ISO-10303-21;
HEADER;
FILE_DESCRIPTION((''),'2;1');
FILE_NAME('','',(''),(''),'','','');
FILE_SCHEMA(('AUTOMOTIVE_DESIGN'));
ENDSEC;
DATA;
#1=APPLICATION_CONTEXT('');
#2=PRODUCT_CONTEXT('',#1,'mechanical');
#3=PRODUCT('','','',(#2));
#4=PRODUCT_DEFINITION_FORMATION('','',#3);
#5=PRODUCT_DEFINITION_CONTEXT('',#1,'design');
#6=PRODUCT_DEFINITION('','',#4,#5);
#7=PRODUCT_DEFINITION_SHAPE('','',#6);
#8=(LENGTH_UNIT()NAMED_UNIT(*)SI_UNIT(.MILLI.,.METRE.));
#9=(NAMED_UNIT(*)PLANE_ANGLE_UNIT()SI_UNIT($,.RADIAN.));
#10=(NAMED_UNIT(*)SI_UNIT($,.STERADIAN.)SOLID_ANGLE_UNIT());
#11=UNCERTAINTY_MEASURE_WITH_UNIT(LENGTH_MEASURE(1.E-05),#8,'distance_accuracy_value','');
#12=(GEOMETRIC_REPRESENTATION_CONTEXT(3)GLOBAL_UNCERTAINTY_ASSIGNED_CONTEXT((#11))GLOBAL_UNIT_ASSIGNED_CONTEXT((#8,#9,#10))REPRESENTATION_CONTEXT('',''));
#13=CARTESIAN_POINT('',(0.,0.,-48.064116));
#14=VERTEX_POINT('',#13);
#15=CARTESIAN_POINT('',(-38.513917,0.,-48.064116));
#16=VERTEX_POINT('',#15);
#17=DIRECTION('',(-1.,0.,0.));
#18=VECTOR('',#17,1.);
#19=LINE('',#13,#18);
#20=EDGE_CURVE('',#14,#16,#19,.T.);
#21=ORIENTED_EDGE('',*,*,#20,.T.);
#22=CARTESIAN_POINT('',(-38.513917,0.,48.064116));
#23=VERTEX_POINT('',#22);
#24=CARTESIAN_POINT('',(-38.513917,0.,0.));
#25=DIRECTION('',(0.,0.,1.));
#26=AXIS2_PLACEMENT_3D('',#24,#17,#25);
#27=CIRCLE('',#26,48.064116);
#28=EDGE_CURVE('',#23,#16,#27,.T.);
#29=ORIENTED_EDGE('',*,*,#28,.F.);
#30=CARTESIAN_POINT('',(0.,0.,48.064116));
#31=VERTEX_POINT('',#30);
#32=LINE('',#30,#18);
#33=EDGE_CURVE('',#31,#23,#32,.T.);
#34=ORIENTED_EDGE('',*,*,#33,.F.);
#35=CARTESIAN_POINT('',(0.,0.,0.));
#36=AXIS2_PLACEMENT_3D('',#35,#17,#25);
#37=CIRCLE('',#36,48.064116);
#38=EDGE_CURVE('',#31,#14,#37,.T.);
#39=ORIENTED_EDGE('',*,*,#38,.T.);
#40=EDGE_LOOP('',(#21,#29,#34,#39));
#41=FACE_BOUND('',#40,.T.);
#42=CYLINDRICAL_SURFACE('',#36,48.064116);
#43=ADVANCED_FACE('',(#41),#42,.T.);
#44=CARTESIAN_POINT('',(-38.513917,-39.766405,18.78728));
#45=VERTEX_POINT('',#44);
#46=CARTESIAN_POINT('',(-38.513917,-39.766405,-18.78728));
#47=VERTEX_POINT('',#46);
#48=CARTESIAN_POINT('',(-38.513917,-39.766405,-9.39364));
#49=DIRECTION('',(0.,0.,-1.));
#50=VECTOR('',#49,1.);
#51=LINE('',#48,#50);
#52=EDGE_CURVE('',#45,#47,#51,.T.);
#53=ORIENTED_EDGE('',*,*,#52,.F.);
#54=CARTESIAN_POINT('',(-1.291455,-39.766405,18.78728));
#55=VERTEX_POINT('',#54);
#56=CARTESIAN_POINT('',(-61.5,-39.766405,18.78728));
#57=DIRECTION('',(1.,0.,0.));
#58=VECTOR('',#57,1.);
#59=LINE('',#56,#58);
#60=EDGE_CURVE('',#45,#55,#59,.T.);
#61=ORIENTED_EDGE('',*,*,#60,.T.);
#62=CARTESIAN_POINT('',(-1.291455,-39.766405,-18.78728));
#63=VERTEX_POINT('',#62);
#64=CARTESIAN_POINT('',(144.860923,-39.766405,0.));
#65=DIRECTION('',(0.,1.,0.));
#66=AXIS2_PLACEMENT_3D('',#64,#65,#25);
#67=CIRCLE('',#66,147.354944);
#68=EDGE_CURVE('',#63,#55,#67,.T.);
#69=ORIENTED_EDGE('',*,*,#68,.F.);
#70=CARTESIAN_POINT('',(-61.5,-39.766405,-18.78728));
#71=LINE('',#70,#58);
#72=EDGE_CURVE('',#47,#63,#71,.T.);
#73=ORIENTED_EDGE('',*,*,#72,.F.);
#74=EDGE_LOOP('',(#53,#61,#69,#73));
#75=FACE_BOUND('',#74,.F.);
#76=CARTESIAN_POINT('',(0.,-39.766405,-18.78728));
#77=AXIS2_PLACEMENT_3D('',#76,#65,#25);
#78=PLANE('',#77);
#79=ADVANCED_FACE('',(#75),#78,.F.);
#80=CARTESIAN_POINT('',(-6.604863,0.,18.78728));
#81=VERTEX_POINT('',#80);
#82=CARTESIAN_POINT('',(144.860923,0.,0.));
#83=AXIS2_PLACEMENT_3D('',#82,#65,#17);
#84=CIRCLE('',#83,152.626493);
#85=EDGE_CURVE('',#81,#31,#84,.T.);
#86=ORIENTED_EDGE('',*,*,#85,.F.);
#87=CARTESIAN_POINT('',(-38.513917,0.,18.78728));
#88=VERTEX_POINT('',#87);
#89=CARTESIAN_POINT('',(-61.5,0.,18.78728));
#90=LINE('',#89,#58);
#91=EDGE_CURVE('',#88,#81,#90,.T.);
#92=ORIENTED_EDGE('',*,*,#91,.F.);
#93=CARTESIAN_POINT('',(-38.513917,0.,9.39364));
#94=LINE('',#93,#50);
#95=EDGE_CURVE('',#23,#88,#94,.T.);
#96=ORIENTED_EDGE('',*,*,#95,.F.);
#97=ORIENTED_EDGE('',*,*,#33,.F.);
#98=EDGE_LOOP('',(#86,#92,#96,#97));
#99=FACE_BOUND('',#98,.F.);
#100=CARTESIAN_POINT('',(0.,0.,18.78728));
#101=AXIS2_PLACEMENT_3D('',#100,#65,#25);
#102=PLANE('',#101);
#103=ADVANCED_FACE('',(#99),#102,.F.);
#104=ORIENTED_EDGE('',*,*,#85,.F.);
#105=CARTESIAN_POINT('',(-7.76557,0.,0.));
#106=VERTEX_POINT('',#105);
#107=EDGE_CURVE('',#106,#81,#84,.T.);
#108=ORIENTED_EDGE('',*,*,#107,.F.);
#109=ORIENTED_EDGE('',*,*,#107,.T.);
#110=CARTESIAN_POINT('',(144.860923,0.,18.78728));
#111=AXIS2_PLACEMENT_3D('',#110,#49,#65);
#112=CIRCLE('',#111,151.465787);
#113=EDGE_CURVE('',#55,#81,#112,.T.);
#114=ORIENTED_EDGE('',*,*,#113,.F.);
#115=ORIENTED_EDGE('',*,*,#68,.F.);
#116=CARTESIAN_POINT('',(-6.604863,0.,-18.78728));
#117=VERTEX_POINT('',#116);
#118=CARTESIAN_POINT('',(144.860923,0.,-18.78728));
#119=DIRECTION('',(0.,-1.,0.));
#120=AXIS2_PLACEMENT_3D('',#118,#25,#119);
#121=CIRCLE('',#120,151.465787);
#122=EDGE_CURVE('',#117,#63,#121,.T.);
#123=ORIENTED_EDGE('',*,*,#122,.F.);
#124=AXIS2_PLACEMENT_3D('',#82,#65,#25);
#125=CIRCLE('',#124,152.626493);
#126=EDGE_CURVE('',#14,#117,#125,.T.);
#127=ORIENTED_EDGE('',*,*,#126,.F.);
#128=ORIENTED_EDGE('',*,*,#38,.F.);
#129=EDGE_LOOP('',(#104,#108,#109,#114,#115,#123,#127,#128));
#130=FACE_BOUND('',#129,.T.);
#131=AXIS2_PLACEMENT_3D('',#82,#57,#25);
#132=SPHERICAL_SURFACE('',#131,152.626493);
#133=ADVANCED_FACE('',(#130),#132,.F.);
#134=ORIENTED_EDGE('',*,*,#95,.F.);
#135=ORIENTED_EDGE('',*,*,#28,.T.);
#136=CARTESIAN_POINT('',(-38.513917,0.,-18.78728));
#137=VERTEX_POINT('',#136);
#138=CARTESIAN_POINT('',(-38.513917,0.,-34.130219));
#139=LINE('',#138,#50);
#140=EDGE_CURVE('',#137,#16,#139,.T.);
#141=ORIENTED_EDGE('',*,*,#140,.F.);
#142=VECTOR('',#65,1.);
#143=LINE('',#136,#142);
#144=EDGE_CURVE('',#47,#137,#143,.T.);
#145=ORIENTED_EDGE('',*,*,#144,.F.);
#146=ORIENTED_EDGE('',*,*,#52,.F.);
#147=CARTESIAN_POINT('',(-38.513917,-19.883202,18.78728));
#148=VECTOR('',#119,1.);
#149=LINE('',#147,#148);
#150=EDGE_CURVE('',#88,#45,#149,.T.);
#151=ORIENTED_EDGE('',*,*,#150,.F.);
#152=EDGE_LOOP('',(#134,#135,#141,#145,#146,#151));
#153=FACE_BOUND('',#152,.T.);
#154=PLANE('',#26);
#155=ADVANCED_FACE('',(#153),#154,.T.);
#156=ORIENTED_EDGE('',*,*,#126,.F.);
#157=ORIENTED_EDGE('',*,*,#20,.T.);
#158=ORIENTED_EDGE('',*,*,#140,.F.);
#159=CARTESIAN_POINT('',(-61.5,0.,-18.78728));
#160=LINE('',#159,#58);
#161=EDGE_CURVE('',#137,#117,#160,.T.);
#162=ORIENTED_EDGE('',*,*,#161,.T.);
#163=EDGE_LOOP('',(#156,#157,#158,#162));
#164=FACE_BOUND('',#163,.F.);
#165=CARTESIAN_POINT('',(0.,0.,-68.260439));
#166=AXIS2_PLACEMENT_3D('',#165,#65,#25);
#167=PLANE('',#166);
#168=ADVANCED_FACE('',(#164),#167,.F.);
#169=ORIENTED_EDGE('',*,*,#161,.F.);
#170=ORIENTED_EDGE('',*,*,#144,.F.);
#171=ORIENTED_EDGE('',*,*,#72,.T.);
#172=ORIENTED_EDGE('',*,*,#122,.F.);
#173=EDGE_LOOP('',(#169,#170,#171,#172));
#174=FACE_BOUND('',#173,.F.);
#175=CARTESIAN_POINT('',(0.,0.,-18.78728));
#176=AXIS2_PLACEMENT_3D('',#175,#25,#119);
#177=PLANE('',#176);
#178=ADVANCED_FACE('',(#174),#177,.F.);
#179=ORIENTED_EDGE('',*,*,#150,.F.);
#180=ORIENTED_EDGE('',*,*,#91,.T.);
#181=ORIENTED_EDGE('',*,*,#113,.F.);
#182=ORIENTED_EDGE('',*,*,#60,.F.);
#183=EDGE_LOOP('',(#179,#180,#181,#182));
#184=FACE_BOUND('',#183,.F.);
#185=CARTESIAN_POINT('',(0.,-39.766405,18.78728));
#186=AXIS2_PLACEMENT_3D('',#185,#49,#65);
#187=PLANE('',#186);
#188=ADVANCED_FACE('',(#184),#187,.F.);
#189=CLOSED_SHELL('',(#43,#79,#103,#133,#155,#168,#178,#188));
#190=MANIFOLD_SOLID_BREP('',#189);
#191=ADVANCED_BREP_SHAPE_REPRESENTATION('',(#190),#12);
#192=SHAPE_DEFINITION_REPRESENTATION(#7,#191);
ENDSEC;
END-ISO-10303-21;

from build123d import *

# Parameters (mm, degrees)
F2_W     = 23.9537768066
F2_H     = 37.5745594501
F3_DEPTH = 61.5


with BuildPart() as f1:
    # F0 (on Front) → F1 (revolve)
    with BuildSketch(Plane.XZ):
        with BuildLine():
            Line((-38.5139174759, 0), (-7.7655697597, 0))
            ThreePointArc((-7.7655697597, 0), (-5.8116705722, 24.3437022549), (0, 48.0641163886))
            Line((0, 48.0641163886), (-38.5139174759, 48.0641163886))
            Line((-38.5139174759, 48.0641163886), (-38.5139174759, 0))
        make_face()
    revolve(axis=Axis((-19.256958738, 0, 0), (-1, 0, 0)))

    # F2 (on Right) → F3 (cut, symmetric)
    with BuildSketch(Plane.YZ):
        Polygon((0, -68.2604387403), (0, -18.7872797251), (-39.7664047778, -18.7872797251), (-63.7201815844, -18.7872797251), (-63.7201815844, -68.2604387403), align=None)
        with Locations((-51.7432931811, 0)):
            Rectangle(F2_W, F2_H)
        Polygon((-39.7664047778, 18.7872797251), (0, 18.7872797251), (0, 53.2306134701), (-63.7201815844, 53.2306134701), (-63.7201815844, 18.7872797251), align=None)
    extrude(amount=F3_DEPTH, both=True, mode=Mode.SUBTRACT)


solid = f1.part
